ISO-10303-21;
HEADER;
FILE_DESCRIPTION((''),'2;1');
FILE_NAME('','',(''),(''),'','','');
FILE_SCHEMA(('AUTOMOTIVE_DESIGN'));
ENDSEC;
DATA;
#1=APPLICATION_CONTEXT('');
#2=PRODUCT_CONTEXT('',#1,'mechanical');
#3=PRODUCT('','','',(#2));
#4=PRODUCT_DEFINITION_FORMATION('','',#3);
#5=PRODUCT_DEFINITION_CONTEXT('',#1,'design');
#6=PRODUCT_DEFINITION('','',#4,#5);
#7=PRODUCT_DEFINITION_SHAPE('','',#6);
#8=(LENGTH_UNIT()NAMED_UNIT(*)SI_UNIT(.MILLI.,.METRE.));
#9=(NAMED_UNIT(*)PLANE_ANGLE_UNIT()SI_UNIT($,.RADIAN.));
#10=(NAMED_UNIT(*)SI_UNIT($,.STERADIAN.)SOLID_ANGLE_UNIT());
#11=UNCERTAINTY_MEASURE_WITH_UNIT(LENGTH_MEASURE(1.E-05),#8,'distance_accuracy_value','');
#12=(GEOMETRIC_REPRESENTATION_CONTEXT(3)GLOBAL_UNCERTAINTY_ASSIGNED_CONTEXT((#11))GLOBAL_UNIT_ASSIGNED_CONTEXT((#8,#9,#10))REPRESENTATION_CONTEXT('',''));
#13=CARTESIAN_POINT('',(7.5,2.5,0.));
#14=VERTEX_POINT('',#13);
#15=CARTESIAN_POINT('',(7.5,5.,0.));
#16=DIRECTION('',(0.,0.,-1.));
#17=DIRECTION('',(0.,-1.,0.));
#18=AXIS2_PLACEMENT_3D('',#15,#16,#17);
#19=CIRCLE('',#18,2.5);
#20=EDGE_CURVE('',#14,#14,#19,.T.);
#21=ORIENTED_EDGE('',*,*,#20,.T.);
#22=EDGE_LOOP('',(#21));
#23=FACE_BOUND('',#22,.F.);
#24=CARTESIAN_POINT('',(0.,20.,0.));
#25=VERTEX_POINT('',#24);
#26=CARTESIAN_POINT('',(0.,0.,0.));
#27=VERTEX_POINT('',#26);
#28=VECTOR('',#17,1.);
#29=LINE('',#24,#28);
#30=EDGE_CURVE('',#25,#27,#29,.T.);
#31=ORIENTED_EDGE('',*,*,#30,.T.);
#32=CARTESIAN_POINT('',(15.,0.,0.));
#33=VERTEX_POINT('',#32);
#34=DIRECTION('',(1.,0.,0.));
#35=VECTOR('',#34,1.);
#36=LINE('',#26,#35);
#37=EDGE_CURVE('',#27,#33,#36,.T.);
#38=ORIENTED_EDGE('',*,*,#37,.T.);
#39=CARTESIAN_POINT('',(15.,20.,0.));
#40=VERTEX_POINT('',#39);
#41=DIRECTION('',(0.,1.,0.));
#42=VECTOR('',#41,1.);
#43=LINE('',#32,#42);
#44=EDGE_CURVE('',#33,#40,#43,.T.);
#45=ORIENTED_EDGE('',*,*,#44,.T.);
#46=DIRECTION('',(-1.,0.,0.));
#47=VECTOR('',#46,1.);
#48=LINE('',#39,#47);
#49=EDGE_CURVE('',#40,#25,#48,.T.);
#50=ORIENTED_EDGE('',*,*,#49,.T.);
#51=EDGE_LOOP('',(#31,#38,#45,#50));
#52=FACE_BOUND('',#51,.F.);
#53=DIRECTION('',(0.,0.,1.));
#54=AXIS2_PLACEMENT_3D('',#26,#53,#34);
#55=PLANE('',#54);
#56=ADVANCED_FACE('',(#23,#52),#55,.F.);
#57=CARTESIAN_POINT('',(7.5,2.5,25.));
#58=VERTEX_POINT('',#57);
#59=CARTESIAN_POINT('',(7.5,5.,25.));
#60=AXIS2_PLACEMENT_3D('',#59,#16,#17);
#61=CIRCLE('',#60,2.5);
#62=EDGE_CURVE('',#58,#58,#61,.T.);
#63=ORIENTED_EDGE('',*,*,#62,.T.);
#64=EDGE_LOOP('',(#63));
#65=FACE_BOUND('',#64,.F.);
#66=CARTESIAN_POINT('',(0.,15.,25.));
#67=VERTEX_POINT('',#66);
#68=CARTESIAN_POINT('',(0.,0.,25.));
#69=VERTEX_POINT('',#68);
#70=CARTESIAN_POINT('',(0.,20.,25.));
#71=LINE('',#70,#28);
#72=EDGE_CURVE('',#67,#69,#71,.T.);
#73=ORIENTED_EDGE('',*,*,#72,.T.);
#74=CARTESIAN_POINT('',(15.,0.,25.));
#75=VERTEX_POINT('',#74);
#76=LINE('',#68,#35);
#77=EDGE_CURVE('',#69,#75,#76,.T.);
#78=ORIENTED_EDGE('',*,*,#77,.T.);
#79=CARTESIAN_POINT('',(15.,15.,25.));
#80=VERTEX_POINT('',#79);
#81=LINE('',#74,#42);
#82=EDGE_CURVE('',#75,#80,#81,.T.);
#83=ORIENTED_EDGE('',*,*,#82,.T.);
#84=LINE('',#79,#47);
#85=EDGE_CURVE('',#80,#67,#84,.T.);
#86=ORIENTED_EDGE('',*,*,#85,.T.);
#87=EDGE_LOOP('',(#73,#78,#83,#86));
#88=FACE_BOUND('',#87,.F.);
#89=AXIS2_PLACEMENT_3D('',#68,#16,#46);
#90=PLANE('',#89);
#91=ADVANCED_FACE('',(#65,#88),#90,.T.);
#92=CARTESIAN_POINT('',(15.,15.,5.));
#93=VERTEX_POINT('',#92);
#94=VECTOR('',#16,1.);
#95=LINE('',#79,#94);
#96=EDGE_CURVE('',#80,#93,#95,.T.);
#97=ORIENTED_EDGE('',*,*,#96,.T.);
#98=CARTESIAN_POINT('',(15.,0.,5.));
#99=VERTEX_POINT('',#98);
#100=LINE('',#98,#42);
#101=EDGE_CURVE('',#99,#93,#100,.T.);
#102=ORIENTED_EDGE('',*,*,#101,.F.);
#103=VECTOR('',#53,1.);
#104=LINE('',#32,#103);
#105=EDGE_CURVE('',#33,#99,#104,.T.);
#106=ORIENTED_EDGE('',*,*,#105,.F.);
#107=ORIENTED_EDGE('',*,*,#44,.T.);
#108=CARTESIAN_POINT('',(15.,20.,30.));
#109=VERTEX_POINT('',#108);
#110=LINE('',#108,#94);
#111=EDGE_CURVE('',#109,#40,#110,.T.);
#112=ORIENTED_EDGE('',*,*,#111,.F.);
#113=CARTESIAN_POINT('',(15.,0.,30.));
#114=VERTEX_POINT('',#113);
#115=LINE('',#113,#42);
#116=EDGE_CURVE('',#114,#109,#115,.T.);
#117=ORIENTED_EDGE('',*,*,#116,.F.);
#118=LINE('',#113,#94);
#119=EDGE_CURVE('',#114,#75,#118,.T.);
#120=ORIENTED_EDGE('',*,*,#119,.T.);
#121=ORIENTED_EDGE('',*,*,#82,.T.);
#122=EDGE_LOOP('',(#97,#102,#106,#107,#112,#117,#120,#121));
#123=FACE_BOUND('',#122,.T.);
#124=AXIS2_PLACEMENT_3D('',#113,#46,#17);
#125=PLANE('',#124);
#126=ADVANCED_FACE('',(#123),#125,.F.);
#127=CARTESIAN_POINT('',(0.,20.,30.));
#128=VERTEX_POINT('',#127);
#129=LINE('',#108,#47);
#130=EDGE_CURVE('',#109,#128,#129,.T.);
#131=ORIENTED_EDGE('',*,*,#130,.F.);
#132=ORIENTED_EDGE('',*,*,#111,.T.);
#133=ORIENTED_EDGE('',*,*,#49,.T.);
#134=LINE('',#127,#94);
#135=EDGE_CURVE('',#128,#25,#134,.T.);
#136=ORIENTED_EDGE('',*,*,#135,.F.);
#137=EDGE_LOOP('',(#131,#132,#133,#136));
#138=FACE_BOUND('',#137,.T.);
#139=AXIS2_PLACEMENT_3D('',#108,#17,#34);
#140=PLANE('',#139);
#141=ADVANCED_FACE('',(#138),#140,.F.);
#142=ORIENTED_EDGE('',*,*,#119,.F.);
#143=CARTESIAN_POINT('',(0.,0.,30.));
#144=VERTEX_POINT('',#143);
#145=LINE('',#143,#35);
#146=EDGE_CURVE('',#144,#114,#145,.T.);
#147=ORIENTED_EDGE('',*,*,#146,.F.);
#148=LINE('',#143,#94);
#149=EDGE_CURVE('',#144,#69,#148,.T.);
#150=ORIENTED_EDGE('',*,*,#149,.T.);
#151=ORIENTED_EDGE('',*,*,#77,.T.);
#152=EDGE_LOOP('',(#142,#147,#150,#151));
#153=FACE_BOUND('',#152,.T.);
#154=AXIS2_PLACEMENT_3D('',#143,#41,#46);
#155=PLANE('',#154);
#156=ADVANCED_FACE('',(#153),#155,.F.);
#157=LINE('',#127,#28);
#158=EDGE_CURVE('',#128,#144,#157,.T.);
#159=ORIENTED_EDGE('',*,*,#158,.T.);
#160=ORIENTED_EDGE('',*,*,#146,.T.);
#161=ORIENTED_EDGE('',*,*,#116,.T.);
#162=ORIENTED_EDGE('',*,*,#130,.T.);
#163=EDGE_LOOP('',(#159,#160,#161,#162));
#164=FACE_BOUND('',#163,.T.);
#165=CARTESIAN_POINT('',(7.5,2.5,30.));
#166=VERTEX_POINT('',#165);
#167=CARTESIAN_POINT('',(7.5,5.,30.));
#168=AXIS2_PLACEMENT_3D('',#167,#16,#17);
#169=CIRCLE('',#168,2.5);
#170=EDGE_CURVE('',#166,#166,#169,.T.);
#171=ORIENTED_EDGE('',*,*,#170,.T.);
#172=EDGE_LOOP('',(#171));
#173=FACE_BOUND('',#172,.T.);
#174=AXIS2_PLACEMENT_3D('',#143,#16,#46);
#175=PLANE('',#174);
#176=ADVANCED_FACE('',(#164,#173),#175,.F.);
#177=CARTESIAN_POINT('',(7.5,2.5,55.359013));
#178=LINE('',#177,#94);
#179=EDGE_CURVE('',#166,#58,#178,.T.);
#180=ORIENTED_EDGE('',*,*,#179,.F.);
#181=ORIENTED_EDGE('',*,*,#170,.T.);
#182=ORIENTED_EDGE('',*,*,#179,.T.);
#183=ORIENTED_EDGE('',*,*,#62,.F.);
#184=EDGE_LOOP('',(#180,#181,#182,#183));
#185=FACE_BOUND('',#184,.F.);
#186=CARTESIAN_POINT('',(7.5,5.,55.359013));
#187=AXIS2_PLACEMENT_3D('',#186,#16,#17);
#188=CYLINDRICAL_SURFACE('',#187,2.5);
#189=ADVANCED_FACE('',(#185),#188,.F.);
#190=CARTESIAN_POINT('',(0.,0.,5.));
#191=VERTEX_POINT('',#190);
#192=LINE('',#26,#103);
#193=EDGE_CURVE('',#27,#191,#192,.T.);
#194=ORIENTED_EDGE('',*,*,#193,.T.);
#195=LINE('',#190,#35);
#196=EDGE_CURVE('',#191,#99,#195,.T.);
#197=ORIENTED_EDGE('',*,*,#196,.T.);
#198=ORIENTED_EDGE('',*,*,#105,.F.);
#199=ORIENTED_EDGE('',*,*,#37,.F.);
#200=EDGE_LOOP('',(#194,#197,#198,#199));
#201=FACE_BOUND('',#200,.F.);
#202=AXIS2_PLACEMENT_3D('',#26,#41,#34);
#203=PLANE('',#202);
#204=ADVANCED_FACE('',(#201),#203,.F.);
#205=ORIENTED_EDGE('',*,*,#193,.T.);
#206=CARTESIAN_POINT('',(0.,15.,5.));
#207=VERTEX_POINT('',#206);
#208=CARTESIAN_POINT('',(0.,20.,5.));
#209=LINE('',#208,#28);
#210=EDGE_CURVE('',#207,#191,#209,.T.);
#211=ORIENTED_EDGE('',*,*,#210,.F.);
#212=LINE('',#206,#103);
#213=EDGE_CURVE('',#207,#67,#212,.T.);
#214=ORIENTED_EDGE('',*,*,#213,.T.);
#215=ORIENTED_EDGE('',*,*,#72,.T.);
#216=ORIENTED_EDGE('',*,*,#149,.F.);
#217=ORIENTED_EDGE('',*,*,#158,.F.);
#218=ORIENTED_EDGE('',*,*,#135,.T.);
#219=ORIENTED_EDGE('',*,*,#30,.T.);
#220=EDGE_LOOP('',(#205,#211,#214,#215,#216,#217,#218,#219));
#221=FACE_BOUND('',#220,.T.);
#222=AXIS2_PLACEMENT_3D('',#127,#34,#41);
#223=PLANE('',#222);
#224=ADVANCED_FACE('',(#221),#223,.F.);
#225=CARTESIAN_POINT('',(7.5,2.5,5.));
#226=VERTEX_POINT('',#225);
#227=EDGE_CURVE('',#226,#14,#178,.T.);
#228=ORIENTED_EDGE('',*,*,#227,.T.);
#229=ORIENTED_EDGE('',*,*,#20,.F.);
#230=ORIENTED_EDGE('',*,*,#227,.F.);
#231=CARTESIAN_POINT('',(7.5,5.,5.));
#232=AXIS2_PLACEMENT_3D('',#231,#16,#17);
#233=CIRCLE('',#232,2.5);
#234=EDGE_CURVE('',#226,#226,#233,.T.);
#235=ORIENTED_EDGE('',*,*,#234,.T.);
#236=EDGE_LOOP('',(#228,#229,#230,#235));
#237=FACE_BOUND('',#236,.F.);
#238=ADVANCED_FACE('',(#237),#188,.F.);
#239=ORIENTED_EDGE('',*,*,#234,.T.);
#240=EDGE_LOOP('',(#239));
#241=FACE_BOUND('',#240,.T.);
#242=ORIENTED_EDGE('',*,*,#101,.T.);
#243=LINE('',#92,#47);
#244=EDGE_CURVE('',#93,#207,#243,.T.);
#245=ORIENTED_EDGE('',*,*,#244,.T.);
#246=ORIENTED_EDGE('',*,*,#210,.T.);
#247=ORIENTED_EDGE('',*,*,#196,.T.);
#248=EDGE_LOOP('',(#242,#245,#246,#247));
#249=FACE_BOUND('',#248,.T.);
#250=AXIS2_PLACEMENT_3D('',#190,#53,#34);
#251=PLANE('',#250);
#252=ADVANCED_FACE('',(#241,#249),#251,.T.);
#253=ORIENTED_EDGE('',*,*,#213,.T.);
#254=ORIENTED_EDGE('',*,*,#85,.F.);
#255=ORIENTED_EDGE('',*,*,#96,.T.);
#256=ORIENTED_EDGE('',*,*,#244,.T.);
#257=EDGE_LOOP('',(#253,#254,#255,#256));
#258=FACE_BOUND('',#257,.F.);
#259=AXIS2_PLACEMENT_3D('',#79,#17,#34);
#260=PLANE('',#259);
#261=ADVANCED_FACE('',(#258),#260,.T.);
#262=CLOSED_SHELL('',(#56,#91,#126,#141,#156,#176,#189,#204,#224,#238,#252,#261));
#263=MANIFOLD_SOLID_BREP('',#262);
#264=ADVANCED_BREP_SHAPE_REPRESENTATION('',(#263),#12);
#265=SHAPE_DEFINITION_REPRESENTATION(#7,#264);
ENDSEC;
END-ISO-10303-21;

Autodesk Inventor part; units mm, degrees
ref_plane "YZ Plane" through (0, 0, 0) normal (1, 0, 0) x (0, 1, 0)
ref_plane "XZ Plane" through (0, 0, 0) normal (0, 1, 0) x (-1, 0, 0)
ref_plane "XY Plane" through (0, 0, 0) normal (0, 0, 1) x (1, 0, 0)
sketch "Эскиз1" plane through (0, 0, 0) normal (0, 0, 1) x (1, 0, 0)
  line L0 (0, 0) -> (15, 0)
  line L1 (15, 0) -> (15, 20)
  line L2 (15, 20) -> (0, 20)
  line L3 (0, 20) -> (0, 0)
  dimension "d0" = 15
  dimension "d1" = 20
extrude "Выдавливание1" add sketch "Эскиз1" along normal blind 5
sketch "Эскиз2" plane through (0, 0, 5) normal (0, 0, 1) x (1, 0, 0)
  line L0 (0, 20) -> (0, 0) projected
  line L1 (15, 0) -> (15, 20) projected
  line L2 (0, 20) -> (15, 20)
  line L3 (15, 20) -> (15, 15)
  line L4 (15, 15) -> (0, 15)
  line L5 (0, 15) -> (0, 20)
  point P0 (15, 20)
  point P1 (0, 15)
  dimension "d4" = 5
extrude "Выдавливание2" add sketch "Эскиз2" along normal blind 10
mirror "Зеркальное отражение1" about plane through (7.5, 17.5, 15) normal (0, 0, 1) of "Выдавливание2", "Выдавливание1"
sketch "Эскиз3" plane through (0, 0, 5) normal (0, 0, 1) x (1, 0, 0)
  line L0 (0, 0) -> (15, 0) projected
  line L1 (7.5, 0) -> (7.5, 5)
  dimension "d7" = 5
hole "Отверстие1" at (7.5, 5, 5) direction (0, 0, -1) diameter 5 end through all both
properties part number "Поворотный рычаг"
